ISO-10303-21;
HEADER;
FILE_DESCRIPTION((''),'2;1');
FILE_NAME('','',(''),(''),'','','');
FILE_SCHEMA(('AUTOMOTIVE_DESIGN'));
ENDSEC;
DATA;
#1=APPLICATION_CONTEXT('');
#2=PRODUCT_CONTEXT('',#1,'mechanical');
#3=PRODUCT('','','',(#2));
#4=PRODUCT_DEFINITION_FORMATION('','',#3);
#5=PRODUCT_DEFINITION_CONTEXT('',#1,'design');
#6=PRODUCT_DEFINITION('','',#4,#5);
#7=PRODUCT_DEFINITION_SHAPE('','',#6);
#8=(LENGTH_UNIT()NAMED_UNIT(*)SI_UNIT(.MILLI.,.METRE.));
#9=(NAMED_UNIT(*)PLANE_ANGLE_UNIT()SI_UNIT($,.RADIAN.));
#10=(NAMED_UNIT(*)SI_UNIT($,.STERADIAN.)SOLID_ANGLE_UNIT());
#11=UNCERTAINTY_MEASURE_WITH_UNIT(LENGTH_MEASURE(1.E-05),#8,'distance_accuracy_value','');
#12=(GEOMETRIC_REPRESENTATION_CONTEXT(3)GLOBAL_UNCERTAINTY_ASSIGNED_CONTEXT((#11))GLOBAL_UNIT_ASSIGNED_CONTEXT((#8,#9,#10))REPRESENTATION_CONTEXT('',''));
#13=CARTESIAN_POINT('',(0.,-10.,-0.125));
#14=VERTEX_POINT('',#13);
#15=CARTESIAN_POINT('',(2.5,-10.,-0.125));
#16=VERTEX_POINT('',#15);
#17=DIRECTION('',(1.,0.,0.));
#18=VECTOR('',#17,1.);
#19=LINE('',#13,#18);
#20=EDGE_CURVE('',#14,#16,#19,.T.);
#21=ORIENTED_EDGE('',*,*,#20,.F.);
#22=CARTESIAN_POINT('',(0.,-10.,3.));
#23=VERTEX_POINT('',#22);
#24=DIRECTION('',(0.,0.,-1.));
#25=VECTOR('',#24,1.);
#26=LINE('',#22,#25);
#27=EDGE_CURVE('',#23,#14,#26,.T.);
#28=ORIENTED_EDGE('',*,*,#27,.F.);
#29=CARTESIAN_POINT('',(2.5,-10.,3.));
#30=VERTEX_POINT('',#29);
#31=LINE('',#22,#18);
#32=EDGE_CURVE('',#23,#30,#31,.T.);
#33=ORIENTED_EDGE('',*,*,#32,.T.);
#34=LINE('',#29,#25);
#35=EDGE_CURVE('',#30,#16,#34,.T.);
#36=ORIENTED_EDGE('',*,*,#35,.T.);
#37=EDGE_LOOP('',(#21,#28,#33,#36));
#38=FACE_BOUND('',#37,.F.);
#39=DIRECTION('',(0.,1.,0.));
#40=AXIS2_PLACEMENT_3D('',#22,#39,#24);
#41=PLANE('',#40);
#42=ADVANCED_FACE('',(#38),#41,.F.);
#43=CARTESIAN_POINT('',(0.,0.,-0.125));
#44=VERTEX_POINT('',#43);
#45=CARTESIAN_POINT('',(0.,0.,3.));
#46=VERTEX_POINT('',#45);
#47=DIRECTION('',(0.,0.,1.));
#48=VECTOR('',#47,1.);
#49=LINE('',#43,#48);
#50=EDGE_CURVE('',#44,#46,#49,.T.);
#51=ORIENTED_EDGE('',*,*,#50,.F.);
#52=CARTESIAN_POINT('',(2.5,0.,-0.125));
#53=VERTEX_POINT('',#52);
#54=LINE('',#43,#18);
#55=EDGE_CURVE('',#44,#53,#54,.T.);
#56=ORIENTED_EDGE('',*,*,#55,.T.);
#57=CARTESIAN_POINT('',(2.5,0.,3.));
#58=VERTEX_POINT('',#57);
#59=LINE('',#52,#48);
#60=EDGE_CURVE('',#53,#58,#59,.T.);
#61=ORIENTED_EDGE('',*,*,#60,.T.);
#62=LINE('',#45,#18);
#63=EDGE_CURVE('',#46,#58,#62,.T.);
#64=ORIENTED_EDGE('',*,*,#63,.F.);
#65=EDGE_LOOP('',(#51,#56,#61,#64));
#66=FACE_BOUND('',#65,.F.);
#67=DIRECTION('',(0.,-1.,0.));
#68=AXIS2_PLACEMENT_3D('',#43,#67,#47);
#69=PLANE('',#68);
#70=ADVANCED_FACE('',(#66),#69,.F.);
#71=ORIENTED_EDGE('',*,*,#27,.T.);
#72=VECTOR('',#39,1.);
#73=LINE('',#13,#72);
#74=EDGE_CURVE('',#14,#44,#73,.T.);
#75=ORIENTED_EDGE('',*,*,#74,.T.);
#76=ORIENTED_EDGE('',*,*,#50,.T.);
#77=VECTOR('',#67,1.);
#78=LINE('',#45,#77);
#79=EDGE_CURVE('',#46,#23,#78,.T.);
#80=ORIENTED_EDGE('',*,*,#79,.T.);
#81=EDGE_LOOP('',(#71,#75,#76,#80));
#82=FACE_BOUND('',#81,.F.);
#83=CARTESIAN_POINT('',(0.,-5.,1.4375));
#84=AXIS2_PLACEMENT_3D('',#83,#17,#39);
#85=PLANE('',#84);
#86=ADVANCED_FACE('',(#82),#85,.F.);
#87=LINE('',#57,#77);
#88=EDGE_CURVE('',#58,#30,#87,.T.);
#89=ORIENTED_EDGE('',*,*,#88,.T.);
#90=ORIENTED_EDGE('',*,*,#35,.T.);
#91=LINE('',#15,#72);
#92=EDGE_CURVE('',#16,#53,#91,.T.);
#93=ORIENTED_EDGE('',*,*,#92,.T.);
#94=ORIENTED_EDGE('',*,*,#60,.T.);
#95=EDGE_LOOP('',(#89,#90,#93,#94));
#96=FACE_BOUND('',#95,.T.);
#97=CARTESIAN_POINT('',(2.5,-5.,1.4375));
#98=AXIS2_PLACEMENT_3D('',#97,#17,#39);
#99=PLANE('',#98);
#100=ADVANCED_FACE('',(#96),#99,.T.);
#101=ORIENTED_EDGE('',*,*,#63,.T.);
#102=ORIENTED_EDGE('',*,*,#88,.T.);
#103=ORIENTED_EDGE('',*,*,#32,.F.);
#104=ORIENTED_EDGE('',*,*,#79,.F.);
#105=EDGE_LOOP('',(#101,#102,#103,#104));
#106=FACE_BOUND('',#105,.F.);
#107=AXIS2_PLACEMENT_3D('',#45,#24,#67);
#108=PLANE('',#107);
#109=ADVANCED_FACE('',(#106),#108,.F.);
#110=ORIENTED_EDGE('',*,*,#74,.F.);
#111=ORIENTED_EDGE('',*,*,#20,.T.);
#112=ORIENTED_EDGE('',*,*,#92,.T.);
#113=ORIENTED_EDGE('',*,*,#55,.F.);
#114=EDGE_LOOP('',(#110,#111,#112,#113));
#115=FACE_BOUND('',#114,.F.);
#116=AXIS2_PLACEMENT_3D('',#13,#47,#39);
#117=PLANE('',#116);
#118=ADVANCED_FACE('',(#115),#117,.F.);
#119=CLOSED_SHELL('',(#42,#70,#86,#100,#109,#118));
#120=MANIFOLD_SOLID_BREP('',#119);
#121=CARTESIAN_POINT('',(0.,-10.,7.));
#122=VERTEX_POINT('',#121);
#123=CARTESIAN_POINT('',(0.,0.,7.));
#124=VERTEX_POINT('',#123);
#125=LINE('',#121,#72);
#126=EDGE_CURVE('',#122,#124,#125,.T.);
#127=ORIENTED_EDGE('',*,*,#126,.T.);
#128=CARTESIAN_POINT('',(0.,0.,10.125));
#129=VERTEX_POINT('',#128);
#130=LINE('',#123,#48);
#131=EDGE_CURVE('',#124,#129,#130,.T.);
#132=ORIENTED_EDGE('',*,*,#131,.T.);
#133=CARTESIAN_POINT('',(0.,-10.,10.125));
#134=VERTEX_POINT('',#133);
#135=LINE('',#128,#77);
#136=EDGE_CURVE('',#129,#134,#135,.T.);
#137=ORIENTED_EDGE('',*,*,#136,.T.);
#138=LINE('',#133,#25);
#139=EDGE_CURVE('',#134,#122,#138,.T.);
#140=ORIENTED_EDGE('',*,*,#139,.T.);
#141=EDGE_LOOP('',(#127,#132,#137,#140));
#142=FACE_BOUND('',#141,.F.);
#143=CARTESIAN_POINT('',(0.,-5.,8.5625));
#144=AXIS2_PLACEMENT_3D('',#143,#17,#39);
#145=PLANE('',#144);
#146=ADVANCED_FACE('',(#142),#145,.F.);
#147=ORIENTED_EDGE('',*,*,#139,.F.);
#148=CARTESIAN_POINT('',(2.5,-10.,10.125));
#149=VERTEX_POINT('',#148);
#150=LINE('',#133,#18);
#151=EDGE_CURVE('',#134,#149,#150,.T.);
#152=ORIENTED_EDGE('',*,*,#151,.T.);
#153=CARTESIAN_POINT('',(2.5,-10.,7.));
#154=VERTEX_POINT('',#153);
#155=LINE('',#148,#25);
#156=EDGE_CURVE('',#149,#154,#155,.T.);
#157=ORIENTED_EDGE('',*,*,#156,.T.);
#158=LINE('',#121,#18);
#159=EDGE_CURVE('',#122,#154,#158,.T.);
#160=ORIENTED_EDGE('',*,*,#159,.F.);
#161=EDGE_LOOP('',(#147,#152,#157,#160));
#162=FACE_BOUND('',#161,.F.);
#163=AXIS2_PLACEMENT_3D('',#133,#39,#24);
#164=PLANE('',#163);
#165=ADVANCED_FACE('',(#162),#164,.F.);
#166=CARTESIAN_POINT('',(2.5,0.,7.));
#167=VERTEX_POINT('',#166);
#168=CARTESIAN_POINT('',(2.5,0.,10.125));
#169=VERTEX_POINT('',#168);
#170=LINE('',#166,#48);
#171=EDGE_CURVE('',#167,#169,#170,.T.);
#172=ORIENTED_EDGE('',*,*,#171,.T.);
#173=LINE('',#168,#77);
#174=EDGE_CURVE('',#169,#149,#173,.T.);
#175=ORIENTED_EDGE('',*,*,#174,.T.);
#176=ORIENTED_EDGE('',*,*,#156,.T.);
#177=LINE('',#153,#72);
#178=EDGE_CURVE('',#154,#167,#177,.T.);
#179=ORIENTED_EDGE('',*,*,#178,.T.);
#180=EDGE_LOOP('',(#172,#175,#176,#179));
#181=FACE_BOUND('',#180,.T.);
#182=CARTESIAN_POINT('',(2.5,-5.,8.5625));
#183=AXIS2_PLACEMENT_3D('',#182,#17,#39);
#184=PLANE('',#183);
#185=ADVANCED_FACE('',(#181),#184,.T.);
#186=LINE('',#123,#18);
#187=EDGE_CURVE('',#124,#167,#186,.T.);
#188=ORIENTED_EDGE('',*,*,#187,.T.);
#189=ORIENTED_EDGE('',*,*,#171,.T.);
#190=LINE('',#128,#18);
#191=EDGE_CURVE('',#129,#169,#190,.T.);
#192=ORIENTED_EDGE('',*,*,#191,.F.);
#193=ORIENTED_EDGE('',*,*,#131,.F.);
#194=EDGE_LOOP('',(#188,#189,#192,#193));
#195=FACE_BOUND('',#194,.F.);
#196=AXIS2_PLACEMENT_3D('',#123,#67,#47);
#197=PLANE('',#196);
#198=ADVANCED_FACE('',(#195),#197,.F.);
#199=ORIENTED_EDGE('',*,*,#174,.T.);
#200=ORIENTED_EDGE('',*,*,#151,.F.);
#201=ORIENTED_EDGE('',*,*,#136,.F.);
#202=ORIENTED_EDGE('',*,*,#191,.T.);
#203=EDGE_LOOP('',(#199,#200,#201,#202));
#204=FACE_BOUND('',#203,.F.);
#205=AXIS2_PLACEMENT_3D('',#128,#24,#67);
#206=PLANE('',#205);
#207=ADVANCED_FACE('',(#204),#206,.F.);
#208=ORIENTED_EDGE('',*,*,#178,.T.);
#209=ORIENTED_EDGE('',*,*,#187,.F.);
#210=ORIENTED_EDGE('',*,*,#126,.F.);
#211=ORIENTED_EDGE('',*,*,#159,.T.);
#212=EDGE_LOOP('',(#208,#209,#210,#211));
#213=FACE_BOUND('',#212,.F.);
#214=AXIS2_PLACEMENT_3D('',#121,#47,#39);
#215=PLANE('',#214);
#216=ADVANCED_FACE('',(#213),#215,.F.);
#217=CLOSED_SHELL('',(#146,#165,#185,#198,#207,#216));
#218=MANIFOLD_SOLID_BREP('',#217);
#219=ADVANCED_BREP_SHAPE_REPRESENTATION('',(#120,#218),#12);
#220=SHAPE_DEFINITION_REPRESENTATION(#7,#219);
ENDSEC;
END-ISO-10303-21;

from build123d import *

# Parameters (mm, degrees)
F1_DEPTH = 2.5


with BuildPart() as f1:
    # F0 (on Right) → F1 (new body)
    with BuildSketch(Plane.YZ):
        Polygon((0, -0.125), (0, 0), (0, 3), (-8, 3), (-10, 3), (-10, 0), (-10, -0.125), align=None)
        Polygon((0, 7), (0, 10), (0, 10.125), (-10, 10.125), (-10, 10), (-10, 7), (-8, 7), align=None)
    extrude(amount=F1_DEPTH)


solid = f1.part
